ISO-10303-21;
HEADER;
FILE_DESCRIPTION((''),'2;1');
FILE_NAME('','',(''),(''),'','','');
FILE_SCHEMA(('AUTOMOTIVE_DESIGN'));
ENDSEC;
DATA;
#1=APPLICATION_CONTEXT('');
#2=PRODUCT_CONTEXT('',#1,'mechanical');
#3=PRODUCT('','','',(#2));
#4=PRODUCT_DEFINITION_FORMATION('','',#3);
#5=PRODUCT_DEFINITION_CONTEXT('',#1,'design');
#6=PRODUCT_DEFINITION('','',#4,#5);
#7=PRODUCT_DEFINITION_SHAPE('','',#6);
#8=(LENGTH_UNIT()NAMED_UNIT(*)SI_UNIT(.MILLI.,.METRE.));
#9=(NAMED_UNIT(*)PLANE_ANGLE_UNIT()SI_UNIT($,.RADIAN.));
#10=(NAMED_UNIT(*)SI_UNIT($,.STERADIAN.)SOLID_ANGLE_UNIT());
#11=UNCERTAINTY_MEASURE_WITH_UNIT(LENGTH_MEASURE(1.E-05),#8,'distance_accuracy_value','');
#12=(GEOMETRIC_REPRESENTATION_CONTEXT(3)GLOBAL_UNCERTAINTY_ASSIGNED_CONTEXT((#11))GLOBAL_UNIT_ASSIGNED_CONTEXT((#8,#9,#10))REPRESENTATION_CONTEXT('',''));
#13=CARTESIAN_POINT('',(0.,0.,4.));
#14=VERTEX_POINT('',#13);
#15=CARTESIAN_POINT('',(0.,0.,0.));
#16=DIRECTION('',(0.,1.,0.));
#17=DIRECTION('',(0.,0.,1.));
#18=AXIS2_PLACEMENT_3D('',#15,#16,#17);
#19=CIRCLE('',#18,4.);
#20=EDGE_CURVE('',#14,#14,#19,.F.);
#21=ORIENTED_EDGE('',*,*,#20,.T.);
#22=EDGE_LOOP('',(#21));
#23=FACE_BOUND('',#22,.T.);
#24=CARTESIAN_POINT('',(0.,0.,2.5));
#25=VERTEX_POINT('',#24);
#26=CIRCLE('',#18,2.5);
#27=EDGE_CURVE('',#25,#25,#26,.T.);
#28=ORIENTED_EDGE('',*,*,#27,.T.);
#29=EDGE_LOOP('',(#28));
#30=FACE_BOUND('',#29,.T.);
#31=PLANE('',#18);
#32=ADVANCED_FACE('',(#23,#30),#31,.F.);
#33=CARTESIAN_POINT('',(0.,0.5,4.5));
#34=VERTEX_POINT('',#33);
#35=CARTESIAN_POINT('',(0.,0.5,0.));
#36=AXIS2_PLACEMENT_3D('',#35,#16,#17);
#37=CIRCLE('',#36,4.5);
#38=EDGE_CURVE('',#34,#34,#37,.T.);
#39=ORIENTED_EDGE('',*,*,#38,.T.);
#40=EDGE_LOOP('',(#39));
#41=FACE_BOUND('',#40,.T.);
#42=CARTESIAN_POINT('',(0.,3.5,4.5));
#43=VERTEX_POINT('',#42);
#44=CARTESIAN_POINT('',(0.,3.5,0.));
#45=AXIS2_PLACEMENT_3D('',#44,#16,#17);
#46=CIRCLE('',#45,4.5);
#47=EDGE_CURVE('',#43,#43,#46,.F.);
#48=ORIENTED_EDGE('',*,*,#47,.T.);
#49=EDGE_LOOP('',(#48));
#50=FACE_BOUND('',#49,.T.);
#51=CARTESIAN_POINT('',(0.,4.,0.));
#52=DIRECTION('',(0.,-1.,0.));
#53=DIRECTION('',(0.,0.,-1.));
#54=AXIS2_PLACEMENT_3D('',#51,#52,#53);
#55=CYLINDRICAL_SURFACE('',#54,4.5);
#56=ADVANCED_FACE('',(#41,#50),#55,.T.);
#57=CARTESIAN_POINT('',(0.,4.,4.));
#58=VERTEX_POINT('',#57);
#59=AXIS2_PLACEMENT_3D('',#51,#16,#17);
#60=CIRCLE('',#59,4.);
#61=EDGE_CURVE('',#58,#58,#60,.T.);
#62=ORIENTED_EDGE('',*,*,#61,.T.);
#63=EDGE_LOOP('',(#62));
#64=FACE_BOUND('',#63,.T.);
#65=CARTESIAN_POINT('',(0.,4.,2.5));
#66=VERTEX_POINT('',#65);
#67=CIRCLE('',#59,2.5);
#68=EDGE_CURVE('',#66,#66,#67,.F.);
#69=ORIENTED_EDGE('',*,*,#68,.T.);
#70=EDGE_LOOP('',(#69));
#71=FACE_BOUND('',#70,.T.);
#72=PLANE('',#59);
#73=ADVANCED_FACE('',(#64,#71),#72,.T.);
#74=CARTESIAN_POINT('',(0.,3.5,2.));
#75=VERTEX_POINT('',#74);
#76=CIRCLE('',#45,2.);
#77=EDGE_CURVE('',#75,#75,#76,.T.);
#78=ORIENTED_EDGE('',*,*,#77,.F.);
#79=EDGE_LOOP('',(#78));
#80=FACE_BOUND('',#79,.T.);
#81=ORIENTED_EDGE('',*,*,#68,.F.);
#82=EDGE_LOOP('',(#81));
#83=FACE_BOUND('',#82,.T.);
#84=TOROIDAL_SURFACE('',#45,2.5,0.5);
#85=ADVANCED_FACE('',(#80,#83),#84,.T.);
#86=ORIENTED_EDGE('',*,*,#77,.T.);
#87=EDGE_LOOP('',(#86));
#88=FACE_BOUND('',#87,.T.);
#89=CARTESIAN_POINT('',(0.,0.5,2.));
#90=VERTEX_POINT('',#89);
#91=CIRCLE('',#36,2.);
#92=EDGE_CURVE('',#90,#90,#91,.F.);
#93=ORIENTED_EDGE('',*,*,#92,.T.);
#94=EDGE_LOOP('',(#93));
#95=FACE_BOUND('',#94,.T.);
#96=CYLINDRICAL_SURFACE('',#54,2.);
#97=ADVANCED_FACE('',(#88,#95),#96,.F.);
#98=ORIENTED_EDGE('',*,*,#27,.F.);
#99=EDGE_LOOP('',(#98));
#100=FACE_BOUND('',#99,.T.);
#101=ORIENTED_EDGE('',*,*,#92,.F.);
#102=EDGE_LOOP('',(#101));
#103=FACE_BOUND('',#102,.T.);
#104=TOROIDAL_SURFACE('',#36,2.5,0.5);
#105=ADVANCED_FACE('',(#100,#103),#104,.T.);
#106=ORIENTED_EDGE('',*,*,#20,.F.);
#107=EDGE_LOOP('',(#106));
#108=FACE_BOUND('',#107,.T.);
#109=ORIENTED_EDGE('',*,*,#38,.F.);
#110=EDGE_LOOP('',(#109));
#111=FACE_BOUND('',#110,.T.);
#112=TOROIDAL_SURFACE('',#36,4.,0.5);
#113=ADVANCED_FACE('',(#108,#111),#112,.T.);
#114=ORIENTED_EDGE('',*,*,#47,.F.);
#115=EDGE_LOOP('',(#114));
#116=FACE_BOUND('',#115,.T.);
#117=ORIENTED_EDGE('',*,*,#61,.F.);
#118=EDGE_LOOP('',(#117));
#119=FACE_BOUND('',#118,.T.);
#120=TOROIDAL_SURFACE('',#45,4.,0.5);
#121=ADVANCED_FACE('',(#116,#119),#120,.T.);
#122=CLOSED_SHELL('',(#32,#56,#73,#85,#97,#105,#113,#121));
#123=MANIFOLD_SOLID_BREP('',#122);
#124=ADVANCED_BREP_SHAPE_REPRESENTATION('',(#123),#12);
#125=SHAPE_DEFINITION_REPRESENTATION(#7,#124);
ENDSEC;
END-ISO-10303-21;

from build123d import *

# Parameters (mm, degrees)
SKETCH_1_R      = 4.5
SKETCH_1_R_2    = 2
EXTRUDE_1_DEPTH = 4
FILLET_1_R      = 0.5


with BuildPart() as part:
    # 草圖1 → 填料-伸長1 (new body)
    with BuildSketch(Plane(origin=(0, 0, 0), x_dir=(1, 0, 0), z_dir=(0, 1, 0))):
        with Locations(Location((0, 0, 0), (0, 0, 270))):
            Circle(SKETCH_1_R)
        with Locations(Location((0, 0, 0), (0, 0, 270))):
            Circle(SKETCH_1_R_2, mode=Mode.SUBTRACT)
    extrude(amount=EXTRUDE_1_DEPTH)

    # 圓角1
    fillet_1_edges = [part.edges().sort_by_distance(p)[0] for p in [
        (0, 0, -4.5),
        (0, 4, -4.5),
        (0, 0, -2),
        (0, 4, -2),
    ]]
    fillet(fillet_1_edges, radius=FILLET_1_R)


solid = part.part
